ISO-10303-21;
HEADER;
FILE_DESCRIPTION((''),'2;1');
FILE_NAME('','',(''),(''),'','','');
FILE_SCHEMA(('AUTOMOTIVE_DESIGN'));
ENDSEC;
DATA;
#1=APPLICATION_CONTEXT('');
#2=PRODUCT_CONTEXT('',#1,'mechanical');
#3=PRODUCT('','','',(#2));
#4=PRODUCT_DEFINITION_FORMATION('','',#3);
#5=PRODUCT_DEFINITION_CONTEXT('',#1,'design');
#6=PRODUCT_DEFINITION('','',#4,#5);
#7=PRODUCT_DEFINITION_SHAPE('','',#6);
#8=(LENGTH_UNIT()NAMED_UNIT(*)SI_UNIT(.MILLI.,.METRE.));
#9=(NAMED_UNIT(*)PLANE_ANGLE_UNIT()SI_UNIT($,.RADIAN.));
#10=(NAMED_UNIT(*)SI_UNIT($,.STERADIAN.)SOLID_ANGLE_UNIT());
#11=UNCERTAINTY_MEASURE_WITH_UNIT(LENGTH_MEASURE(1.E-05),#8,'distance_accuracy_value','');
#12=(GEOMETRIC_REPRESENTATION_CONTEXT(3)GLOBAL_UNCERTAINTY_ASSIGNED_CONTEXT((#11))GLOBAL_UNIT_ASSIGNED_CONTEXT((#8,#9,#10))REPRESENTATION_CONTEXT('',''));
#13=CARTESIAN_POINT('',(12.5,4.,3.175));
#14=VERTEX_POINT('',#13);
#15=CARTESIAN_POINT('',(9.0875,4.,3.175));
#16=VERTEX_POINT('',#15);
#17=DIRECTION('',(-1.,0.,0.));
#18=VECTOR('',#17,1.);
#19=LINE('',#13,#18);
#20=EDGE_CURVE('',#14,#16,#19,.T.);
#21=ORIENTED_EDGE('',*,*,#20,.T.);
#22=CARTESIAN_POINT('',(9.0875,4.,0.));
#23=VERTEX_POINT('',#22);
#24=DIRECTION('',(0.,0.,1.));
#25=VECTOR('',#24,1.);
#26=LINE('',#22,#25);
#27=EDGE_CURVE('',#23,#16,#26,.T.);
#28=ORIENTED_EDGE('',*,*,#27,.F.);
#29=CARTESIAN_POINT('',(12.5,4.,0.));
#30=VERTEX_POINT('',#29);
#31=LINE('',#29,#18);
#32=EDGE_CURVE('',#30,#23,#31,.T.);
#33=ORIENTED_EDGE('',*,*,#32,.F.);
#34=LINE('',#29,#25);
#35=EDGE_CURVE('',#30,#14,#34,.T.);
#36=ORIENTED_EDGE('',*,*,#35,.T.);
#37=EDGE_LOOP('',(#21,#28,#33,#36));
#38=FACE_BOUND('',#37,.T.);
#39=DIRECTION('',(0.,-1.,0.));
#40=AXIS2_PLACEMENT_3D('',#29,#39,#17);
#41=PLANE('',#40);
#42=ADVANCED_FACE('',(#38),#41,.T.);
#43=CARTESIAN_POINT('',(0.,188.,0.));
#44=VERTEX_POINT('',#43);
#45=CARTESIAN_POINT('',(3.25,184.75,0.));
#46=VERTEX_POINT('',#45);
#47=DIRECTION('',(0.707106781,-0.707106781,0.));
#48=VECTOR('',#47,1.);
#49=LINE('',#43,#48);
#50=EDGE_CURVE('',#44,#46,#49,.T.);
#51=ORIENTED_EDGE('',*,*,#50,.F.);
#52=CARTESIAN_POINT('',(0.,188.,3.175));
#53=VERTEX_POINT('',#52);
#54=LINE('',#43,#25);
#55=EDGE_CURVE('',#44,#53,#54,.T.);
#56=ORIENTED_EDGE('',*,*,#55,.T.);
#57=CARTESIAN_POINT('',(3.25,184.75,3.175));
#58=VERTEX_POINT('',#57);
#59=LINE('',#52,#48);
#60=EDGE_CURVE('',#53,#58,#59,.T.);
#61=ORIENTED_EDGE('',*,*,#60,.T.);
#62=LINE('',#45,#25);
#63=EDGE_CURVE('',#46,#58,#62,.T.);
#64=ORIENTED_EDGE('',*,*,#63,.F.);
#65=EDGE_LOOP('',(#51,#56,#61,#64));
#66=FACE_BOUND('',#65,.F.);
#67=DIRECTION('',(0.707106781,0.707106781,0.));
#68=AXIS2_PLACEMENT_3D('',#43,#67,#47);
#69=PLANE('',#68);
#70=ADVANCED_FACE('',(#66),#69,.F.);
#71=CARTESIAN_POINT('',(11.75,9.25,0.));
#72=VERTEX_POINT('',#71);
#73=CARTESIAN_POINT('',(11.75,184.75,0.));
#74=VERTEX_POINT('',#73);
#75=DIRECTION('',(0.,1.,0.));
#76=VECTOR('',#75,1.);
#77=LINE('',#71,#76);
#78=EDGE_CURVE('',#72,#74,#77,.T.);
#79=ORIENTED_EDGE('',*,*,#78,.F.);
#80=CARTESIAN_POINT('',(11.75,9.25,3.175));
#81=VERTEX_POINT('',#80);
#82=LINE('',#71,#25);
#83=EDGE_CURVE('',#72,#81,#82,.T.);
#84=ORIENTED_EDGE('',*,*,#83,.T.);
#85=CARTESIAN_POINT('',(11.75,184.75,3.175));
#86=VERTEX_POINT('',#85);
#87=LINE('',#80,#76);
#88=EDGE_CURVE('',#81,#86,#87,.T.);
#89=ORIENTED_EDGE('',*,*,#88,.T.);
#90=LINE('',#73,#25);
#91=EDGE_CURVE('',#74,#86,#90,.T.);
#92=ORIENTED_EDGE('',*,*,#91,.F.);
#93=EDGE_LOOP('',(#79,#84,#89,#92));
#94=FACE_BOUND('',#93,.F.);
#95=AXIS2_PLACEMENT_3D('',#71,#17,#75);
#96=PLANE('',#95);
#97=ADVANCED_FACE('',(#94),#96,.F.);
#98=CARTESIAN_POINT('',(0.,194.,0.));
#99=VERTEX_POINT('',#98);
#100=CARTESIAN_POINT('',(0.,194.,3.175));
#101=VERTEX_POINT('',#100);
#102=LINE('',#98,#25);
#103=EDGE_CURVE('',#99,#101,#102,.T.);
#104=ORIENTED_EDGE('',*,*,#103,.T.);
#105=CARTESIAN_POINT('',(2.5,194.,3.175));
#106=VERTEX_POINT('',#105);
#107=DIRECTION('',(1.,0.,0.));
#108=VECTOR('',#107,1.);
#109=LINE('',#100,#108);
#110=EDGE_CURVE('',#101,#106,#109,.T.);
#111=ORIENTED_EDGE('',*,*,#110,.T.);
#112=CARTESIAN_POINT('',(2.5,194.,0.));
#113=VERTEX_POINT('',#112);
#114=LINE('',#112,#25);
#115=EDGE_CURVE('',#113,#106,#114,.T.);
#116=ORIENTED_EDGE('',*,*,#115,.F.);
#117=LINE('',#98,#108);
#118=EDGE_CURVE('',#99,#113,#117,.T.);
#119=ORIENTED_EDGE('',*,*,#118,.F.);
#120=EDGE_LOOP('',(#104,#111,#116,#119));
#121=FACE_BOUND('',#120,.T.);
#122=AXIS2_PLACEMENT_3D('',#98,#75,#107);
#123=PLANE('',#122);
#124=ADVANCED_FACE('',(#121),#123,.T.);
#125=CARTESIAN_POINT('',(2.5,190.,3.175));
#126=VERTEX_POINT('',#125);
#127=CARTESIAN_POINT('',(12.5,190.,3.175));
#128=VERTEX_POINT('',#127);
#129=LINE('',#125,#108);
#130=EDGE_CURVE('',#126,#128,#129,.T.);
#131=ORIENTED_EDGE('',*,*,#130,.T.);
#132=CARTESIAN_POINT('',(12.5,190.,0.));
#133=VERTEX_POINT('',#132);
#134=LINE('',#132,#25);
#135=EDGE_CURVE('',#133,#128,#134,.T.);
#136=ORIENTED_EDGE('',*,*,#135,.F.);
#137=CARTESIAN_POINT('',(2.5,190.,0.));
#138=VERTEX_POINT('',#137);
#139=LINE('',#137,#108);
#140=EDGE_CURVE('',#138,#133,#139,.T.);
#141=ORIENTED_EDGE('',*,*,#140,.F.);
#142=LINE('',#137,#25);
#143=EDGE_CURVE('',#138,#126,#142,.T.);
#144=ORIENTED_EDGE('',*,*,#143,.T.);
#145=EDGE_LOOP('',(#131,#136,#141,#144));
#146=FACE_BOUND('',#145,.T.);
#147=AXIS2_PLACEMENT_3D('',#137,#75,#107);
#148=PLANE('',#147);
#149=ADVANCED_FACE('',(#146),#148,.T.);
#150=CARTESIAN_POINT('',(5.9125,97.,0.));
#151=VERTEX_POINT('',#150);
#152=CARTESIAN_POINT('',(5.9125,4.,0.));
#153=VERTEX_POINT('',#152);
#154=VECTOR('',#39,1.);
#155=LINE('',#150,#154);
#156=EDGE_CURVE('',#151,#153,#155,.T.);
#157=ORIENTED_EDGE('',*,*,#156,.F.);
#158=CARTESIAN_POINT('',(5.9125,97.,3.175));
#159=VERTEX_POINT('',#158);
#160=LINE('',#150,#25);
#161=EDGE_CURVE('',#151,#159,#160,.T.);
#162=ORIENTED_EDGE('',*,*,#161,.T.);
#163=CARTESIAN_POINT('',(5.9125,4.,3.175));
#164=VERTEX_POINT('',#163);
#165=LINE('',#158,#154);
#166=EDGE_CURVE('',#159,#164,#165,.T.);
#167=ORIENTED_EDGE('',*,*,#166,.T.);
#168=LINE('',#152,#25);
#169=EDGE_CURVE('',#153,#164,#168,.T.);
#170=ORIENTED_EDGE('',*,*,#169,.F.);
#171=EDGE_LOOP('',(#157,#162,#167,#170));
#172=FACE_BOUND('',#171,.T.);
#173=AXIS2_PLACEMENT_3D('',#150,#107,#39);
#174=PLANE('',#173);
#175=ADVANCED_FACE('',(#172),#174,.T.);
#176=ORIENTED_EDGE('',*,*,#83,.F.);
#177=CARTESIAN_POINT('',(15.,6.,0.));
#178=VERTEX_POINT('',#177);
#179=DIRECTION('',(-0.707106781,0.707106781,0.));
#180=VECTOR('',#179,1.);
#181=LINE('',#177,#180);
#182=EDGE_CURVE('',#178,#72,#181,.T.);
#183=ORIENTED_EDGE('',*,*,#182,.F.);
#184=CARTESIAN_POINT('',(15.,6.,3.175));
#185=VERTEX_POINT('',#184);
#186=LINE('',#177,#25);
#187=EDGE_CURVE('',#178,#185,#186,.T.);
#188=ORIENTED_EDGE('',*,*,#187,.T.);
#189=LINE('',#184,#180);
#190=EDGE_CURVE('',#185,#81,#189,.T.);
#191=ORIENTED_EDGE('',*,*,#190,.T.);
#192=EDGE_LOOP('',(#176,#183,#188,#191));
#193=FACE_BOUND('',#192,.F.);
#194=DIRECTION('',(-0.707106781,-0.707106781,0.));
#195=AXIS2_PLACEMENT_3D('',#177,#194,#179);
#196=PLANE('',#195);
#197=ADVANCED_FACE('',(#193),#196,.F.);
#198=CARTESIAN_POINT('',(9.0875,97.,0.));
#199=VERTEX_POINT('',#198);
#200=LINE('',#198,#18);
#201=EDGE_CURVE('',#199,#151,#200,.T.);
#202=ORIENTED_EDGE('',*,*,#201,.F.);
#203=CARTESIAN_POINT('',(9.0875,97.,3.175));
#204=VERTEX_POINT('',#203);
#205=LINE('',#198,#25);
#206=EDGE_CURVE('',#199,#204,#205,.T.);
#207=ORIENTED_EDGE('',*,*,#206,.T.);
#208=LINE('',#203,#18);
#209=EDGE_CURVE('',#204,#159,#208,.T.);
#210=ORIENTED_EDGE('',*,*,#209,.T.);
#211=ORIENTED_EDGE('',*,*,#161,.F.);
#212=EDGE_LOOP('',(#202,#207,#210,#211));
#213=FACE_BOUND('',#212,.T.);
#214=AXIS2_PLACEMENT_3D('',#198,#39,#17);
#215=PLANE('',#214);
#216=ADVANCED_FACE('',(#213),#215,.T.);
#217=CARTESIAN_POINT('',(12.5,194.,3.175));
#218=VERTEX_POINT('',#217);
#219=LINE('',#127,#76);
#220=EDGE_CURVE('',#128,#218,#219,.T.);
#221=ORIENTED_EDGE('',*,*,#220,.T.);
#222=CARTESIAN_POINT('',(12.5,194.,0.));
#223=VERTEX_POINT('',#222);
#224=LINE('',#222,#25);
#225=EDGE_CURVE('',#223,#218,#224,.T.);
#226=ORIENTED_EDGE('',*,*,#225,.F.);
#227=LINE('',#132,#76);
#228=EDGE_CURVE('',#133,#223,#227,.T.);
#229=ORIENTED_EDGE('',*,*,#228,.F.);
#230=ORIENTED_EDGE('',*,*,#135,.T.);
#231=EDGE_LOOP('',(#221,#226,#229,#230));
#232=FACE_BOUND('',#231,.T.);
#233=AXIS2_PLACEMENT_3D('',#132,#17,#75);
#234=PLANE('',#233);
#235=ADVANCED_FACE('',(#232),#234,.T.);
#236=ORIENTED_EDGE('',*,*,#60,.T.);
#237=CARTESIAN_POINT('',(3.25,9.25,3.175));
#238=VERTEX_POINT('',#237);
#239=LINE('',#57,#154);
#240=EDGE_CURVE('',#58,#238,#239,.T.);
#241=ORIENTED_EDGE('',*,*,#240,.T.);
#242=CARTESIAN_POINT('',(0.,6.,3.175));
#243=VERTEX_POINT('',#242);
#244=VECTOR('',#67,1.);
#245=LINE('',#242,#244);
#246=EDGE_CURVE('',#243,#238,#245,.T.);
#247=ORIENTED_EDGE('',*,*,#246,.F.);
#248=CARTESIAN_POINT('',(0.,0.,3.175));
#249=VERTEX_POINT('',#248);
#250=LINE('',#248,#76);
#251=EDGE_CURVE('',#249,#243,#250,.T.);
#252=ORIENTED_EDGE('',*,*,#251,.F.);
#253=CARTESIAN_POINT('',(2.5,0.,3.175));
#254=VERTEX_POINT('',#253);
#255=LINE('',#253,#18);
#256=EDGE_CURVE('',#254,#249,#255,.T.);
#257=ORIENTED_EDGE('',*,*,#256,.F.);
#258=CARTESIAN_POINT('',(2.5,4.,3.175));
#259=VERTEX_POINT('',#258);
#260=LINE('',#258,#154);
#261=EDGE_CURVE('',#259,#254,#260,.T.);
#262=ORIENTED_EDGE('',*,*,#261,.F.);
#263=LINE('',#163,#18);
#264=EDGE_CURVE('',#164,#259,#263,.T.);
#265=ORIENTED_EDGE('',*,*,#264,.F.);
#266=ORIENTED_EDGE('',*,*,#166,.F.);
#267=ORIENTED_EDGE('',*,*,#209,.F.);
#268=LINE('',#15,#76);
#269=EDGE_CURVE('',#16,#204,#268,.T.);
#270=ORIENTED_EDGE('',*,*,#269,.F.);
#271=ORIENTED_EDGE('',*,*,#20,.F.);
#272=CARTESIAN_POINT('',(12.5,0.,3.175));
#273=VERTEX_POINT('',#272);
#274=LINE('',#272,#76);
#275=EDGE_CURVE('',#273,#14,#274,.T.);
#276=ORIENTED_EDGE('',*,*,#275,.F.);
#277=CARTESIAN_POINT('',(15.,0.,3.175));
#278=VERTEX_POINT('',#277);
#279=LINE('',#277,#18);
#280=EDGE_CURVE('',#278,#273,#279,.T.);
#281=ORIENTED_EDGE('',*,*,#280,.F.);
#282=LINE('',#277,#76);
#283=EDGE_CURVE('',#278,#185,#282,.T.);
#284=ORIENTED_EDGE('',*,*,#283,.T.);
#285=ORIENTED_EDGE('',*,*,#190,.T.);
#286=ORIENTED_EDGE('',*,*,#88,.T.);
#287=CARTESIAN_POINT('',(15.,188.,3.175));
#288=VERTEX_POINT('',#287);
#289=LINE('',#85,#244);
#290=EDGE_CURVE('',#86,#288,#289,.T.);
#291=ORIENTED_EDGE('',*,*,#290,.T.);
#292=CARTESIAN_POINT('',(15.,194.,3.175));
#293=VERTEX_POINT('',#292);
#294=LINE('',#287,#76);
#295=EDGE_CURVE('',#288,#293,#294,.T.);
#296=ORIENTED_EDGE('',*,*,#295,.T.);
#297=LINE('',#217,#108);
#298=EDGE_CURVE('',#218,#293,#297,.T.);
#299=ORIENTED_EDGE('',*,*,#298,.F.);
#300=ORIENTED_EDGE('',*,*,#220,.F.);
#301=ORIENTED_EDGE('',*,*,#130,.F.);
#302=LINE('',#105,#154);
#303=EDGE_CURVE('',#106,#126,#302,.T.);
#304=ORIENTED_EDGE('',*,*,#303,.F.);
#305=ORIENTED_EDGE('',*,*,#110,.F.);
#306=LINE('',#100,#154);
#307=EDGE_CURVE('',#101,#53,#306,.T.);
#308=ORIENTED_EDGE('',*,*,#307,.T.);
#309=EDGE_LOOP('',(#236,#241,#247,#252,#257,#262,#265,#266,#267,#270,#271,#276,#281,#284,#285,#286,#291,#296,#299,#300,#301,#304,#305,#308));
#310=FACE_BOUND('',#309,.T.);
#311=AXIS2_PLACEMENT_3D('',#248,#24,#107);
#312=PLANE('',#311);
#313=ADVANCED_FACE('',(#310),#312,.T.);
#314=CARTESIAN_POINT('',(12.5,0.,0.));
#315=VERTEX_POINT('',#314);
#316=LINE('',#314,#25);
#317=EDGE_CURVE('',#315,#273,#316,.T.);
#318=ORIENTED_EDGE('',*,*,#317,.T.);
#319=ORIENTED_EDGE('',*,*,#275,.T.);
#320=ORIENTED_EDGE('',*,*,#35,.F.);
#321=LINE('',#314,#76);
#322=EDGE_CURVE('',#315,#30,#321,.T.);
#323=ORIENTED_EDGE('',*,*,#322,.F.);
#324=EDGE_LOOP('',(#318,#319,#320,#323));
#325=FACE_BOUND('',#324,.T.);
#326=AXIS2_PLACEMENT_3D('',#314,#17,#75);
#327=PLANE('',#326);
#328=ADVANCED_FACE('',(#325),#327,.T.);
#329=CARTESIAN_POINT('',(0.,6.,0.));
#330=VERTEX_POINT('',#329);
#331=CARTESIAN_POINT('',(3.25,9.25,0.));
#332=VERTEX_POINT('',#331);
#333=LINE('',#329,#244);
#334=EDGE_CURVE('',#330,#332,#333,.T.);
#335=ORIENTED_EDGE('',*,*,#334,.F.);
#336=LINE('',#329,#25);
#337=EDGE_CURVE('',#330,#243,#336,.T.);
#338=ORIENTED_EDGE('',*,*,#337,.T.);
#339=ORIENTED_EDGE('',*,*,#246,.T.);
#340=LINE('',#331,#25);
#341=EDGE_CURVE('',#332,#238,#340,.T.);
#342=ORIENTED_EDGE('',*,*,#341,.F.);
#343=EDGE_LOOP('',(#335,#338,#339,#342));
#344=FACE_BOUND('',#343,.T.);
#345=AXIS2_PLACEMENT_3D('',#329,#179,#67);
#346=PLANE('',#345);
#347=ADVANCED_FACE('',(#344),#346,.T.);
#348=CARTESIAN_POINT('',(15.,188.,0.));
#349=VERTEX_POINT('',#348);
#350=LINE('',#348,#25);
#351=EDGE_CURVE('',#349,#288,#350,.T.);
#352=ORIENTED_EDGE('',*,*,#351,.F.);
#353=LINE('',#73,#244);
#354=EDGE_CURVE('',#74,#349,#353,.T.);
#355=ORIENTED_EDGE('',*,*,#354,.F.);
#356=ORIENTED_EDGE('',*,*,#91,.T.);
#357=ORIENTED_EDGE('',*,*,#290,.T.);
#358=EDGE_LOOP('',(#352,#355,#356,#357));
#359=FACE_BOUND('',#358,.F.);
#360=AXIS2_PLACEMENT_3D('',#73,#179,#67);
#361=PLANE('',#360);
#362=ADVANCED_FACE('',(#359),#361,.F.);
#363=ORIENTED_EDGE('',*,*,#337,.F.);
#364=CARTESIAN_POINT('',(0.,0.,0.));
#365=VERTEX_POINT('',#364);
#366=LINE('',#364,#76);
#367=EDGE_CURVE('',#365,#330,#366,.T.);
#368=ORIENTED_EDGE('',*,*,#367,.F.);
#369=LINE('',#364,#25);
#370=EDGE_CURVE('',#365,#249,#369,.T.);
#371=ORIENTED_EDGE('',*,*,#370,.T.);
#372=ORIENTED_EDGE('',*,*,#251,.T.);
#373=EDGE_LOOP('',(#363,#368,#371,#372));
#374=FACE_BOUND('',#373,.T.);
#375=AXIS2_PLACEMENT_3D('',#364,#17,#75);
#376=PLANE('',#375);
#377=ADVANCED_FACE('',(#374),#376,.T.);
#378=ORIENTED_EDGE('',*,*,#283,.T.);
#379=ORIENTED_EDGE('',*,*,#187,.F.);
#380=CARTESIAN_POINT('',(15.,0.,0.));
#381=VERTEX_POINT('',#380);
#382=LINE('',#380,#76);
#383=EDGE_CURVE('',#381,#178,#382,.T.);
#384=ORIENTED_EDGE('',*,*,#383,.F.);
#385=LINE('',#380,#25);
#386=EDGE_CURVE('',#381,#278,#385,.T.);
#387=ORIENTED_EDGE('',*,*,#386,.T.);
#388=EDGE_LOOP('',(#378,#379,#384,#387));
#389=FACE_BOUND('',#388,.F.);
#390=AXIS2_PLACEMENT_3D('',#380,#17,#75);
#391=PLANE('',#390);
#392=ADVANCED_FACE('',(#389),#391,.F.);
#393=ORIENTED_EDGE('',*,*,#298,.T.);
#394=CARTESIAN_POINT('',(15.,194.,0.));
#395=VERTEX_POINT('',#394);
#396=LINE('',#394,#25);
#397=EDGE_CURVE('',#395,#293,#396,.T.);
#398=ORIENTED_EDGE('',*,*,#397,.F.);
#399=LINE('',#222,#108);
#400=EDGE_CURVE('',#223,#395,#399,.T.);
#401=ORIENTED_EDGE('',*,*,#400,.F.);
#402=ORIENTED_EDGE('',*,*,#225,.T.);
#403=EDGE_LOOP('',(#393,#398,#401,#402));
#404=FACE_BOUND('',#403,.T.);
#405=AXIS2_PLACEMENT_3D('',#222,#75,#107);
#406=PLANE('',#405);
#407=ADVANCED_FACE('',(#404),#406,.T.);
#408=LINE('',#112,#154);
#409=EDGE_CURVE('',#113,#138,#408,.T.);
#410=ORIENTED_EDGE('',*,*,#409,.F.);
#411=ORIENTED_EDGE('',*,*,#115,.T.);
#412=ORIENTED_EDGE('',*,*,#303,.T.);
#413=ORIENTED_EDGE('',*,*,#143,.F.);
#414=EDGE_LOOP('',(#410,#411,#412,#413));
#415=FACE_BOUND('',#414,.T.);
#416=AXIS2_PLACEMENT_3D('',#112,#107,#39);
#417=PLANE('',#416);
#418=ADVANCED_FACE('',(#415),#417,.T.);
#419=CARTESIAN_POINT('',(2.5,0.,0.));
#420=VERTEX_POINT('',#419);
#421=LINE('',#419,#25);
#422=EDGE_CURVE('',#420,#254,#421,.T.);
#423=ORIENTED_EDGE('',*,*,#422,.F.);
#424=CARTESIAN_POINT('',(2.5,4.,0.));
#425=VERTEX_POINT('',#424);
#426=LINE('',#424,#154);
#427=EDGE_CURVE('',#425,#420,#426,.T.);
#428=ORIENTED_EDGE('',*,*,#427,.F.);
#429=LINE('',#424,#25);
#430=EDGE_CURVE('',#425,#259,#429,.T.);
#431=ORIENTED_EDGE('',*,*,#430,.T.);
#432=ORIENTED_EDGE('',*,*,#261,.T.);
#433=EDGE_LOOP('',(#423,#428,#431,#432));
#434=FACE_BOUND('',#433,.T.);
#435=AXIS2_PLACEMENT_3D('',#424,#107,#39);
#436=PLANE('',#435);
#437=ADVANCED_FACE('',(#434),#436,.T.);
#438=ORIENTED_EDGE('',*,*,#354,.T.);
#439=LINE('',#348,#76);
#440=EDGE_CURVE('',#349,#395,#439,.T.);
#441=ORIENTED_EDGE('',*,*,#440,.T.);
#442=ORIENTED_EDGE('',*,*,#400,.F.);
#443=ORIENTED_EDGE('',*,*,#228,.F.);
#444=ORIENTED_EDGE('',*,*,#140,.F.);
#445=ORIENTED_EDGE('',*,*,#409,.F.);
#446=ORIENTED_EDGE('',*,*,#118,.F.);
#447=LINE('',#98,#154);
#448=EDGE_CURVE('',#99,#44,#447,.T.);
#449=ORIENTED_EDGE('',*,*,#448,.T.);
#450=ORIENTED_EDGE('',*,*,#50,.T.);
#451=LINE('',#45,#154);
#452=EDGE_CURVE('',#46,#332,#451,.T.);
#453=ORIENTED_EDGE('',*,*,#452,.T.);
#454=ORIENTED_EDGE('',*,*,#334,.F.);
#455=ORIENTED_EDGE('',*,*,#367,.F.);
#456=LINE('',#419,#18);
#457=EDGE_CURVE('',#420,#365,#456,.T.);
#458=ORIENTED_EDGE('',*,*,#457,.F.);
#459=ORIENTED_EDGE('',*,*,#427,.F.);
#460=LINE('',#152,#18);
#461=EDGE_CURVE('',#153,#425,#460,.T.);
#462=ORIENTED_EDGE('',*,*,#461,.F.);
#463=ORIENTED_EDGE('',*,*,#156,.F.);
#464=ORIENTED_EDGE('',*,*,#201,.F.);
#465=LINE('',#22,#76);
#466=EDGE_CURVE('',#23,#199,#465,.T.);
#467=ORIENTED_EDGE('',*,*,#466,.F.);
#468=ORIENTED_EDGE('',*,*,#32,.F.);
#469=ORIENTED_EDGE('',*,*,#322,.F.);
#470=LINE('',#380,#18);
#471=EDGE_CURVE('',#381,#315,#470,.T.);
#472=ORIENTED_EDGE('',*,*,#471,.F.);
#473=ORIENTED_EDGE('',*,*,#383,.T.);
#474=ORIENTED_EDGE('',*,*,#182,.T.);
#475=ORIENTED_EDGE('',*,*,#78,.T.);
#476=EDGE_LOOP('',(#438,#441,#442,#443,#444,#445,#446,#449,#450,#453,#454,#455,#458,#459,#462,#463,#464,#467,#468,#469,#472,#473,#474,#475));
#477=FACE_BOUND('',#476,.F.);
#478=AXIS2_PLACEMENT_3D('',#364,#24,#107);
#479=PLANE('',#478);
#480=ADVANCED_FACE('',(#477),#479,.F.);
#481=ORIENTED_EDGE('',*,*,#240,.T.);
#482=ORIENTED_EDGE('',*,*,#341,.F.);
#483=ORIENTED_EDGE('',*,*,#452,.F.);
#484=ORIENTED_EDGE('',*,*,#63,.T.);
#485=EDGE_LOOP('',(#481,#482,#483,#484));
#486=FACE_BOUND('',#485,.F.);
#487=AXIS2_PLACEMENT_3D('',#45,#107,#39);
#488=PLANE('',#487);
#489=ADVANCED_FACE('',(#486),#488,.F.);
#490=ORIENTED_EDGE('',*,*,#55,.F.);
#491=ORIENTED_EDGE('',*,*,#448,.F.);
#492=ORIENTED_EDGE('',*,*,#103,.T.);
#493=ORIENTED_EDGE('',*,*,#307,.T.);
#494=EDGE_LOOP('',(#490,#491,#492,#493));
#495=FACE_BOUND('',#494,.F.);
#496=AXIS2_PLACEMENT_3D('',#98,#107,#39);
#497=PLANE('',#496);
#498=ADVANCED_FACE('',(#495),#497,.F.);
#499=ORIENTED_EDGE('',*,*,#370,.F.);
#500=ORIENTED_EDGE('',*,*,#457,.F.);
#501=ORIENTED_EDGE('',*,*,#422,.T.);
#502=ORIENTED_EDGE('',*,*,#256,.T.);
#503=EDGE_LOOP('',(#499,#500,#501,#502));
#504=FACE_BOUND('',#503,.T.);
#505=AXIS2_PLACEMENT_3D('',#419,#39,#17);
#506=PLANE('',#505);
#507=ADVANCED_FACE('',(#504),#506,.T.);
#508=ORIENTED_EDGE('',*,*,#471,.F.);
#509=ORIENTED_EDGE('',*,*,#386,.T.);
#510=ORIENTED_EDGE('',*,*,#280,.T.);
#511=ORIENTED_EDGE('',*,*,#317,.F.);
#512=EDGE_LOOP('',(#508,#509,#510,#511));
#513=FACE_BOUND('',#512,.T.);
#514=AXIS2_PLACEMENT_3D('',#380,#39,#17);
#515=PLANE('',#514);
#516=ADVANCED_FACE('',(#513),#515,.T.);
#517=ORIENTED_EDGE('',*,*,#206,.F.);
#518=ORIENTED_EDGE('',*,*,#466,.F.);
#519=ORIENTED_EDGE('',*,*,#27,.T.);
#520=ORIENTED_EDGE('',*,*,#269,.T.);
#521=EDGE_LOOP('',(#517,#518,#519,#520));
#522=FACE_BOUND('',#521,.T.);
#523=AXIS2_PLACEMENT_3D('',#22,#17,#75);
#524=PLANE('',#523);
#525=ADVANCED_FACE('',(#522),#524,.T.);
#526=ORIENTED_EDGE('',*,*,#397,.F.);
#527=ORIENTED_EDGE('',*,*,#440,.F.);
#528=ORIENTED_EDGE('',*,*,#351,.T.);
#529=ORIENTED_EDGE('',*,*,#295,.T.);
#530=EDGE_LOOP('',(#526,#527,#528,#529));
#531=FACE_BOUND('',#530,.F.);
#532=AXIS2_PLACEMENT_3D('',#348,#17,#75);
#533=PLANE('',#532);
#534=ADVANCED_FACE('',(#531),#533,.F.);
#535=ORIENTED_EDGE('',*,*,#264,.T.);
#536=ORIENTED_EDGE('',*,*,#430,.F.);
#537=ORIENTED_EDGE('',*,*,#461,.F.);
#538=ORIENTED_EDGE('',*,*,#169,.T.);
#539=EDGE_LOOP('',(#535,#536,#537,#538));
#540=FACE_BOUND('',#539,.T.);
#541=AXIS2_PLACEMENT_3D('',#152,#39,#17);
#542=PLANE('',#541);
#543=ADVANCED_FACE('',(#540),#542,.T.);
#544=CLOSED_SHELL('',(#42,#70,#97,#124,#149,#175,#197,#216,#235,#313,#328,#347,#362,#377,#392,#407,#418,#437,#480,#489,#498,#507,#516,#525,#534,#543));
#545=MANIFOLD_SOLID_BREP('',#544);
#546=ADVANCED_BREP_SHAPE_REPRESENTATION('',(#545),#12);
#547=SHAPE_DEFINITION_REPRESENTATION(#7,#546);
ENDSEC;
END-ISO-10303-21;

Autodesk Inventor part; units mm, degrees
ref_plane "YZ Plane" through (0, 0, 0) normal (1, 0, 0) x (0, 1, 0)
ref_plane "XZ Plane" through (0, 0, 0) normal (0, 1, 0) x (-1, 0, 0)
ref_plane "XY Plane" through (0, 0, 0) normal (0, 0, 1) x (1, 0, 0)
sketch "Sketch1" plane through (0, 0, 0) normal (0, 0, 1) x (1, 0, 0)
  line L0 (15, 0) -> (12.5, 0)
  line L1 (12.5, 0) -> (12.5, 4)
  line L2 (2.5, 4) -> (2.5, 0)
  line L3 (2.5, 0) -> (0, 0)
  line L4 (12.5, 4) -> (9.0875, 4)
  line L5 (9.0875, 4) -> (9.0875, 97)
  line L6 (9.0875, 97) -> (5.9125, 97)
  line L7 (5.9125, 97) -> (5.9125, 4)
  line L8 (5.9125, 4) -> (2.5, 4)
  line L9 (0, 194) -> (2.5, 194)
  line L10 (2.5, 194) -> (2.5, 190)
  line L11 (2.5, 190) -> (12.5, 190)
  line L12 (12.5, 190) -> (12.5, 194)
  line L13 (12.5, 194) -> (15, 194)
  line L14 (0, 194) -> (0, 188)
  line L15 (0, 188) -> (3.25, 184.75)
  line L16 (3.25, 184.75) -> (3.25, 9.25)
  line L17 (0, 0) -> (0, 6)
  line L18 (0, 6) -> (3.25, 9.25)
  line L19 (15, 0) -> (15, 6)
  line L20 (15, 6) -> (11.75, 9.25)
  line L21 (11.75, 9.25) -> (11.75, 184.75)
  line L22 (11.75, 184.75) -> (15, 188)
  line L23 (15, 188) -> (15, 194)
  dimension "d1" = 10
  dimension "d2" = 3.175
  dimension "d4" = 194
  dimension "d7" = 97
  dimension "d10" = 6
  dimension "d13" = 15
  dimension "d14" = 45
  dimension "d15" = 4
  dimension "d16" = 8.5
extrude "Extrusion1" add sketch "Sketch1" along normal blind 3.175
equation "\"d2\" = THICKA"
equation "\"d7\" = 0.5 * d4"
equation "\"d8\" = THICKA"
equation "\"THICKA\" = 3.175"
equation "\"THICKB\" = 6.731"
equation "\"THICKC\" = 12.7"
properties part number "Effector_Arm"
